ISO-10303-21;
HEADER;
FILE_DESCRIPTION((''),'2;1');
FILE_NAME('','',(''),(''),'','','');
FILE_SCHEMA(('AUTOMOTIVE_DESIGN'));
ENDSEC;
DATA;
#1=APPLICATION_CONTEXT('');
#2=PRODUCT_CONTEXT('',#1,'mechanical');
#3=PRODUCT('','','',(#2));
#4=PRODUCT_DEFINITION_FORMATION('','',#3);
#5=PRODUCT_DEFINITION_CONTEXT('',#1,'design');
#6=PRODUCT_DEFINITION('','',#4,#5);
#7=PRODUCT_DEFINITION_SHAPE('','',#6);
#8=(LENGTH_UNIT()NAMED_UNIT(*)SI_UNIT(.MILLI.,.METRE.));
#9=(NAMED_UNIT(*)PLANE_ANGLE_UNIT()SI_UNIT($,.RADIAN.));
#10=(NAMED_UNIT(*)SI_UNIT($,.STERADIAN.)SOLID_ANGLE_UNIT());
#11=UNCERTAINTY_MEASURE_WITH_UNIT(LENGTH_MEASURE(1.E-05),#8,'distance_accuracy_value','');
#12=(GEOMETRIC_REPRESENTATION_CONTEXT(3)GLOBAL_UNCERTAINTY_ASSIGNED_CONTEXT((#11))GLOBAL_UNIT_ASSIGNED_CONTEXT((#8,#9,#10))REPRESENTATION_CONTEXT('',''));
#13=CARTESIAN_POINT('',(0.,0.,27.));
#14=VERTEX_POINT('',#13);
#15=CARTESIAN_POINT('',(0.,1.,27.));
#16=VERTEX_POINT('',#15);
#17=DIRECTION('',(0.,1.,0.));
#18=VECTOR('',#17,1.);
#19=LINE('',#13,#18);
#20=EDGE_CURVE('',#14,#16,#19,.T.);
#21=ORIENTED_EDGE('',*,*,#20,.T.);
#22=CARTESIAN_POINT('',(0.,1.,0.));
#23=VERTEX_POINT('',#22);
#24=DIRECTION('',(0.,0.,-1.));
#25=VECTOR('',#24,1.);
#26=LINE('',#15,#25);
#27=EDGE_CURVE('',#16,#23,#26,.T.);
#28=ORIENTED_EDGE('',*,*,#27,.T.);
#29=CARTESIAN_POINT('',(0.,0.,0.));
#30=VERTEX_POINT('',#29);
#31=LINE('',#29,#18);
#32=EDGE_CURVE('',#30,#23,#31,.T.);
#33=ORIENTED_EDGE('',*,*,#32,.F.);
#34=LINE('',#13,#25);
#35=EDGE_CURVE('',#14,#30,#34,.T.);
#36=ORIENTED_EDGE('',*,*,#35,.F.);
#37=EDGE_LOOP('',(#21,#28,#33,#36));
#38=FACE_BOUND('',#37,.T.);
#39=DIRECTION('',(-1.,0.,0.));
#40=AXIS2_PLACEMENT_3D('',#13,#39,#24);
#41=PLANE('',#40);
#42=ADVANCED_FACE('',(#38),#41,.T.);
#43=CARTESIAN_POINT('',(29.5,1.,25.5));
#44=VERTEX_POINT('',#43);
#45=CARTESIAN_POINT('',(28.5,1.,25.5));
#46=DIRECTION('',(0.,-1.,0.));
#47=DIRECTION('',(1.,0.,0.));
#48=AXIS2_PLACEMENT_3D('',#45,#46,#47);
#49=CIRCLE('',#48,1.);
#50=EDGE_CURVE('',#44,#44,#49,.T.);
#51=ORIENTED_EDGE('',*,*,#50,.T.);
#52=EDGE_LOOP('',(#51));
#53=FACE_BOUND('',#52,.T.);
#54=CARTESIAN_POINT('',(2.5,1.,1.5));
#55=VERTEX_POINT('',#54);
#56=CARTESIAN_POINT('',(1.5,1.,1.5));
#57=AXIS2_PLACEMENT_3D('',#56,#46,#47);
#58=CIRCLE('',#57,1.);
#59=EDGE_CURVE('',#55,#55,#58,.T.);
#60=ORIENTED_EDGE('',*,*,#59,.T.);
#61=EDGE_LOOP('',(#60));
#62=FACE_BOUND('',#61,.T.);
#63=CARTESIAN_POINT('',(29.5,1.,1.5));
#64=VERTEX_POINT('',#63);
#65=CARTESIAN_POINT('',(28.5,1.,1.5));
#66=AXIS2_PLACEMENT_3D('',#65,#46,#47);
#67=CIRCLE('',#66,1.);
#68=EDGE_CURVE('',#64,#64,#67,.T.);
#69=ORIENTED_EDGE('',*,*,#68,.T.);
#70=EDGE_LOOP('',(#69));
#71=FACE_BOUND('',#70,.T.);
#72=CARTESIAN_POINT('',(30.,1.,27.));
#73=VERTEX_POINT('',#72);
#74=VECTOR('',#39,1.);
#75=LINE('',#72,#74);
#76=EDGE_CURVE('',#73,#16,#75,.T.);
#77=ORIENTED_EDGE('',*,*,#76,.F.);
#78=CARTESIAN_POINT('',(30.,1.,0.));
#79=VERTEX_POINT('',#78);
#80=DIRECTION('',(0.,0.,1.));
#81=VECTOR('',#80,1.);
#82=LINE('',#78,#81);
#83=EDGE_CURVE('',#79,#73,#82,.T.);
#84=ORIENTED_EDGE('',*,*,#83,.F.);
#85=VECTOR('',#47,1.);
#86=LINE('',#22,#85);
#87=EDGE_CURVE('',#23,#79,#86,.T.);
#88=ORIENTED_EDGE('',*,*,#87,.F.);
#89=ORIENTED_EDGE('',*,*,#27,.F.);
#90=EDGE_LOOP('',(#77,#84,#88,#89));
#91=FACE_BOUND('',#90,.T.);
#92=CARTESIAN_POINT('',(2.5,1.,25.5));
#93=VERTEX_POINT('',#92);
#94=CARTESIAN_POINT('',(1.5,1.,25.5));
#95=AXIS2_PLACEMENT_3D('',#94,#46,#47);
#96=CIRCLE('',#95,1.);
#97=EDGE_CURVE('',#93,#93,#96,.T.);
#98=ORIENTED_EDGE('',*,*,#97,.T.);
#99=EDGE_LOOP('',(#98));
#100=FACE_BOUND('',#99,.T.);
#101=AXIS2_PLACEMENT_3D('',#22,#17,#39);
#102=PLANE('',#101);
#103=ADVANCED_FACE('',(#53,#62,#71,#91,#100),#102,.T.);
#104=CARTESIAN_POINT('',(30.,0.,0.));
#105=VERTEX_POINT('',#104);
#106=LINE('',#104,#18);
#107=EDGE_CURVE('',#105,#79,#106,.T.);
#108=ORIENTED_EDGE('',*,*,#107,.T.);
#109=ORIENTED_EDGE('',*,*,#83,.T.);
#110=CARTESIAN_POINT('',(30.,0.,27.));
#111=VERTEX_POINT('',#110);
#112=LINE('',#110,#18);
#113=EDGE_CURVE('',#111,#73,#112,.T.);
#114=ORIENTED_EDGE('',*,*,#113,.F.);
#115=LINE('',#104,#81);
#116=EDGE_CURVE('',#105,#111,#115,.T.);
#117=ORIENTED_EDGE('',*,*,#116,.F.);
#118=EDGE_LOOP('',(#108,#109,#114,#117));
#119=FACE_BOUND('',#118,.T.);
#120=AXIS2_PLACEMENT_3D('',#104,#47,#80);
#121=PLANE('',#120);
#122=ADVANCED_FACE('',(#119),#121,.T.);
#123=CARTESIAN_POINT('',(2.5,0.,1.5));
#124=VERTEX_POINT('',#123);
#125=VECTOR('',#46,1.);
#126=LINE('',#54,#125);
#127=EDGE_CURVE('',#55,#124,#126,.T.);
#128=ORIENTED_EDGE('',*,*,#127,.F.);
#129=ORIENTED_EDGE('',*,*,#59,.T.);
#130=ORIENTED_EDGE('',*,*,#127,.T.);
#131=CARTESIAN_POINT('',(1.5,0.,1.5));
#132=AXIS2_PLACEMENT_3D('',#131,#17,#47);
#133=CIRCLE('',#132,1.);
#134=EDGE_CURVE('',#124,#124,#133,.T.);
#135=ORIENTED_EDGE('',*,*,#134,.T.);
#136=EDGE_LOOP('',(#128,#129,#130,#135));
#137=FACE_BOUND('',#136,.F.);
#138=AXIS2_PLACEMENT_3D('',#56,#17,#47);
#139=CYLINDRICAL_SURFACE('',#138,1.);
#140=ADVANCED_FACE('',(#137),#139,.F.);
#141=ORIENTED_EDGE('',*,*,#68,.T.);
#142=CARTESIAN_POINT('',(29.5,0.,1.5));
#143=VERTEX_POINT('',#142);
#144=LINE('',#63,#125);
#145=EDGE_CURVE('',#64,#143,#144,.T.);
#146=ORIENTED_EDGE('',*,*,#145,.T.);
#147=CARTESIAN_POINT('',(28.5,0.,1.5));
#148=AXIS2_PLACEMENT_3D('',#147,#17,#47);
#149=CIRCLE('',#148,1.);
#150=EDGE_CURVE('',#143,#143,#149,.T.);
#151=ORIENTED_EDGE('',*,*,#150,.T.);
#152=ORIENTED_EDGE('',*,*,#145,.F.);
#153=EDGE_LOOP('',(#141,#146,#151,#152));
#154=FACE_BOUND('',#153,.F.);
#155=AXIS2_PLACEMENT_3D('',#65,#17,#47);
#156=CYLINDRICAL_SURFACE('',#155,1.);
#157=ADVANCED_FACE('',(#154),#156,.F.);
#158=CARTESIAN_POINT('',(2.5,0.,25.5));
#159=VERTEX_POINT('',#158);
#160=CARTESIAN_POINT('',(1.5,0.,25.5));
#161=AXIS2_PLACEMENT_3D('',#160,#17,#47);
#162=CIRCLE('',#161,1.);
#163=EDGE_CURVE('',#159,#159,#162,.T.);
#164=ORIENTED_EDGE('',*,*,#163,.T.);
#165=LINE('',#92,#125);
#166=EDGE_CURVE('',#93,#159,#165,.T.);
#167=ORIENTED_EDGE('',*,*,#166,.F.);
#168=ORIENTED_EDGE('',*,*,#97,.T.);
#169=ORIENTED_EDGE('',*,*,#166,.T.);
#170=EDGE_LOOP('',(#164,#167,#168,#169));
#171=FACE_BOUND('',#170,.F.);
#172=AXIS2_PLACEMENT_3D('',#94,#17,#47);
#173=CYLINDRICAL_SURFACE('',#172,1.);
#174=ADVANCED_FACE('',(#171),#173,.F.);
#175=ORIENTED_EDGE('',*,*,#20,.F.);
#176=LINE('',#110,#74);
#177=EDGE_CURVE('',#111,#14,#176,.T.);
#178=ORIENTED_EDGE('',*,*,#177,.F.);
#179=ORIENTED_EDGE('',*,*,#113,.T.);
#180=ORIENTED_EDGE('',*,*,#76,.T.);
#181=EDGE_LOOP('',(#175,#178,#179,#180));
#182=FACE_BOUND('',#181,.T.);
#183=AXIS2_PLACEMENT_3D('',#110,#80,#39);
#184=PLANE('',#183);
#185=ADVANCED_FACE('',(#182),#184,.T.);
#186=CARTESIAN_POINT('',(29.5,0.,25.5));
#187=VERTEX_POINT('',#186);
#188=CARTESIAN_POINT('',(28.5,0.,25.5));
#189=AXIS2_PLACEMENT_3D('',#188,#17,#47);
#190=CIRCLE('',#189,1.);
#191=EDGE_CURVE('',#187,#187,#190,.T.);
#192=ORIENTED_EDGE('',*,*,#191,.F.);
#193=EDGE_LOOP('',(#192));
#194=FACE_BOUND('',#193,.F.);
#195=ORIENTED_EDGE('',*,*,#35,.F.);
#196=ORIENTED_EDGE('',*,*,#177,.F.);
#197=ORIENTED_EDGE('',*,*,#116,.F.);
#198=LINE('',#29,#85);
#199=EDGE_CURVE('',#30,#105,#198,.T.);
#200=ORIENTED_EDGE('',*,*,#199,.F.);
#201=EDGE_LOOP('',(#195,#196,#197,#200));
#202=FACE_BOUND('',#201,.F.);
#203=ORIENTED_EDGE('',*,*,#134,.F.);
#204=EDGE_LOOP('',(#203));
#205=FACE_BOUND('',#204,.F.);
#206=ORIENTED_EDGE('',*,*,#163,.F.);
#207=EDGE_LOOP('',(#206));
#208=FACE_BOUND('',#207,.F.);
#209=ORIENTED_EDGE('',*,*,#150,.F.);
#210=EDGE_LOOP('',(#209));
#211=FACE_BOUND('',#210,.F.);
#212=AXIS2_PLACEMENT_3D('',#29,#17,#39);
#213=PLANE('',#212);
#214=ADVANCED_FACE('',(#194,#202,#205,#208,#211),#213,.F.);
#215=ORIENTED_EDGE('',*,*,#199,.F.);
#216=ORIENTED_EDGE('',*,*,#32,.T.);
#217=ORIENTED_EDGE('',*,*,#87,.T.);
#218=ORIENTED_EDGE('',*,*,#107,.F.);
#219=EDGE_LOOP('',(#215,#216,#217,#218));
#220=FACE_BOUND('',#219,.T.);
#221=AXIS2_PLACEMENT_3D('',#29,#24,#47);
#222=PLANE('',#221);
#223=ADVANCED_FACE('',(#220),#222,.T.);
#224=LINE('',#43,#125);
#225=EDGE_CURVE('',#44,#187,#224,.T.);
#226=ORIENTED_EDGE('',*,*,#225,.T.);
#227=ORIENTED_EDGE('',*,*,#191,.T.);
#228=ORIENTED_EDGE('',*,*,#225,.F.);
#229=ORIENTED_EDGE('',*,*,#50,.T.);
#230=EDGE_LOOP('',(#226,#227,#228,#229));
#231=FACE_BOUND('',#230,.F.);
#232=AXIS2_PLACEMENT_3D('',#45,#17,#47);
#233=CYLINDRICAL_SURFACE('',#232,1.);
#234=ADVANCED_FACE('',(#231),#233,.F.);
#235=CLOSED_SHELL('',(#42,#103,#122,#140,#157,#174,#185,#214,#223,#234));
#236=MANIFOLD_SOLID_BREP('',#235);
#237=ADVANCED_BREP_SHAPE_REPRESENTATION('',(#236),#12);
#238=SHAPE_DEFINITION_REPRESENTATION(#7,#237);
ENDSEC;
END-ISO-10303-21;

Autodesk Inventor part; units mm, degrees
ref_plane "YZ Plane" through (0, 0, 0) normal (1, 0, 0) x (0, 1, 0)
ref_plane "XZ Plane" through (0, 0, 0) normal (0, 1, 0) x (-1, 0, 0)
ref_plane "XY Plane" through (0, 0, 0) normal (0, 0, 1) x (1, 0, 0)
sketch "Sketch1" plane through (0, 0, 0) normal (0, 1, 0) x (-1, 0, 0)
  line L0 (0, 0) -> (-30, 0)
  line L1 (-30, 0) -> (-30, 27)
  line L2 (-30, 27) -> (0, 27)
  line L3 (0, 27) -> (0, 0)
  dimension "d0" = 30
  dimension "d1" = 27
extrude "Extrusion1" add sketch "Sketch1" along normal blind 1
sketch "Sketch2" plane through (0, 1, 0) normal (0, 1, 0) x (1, 0, 0)
  line L0 (30, 0) -> (0, 0) projected
  line L1 (0, 0) -> (0, -27) projected
  line L2 (0, -27) -> (30, -27) projected
  line L3 (30, -27) -> (30, 0) projected
  line L4 (1.5, -25.5) -> (1.5, -1.5)
  line L5 (1.5, -1.5) -> (28.5, -1.5)
  line L6 (28.5, -1.5) -> (28.5, -25.5)
  line L7 (28.5, -25.5) -> (1.5, -25.5)
  circle A0 centre (1.5, -25.5) radius 1
  circle A1 centre (28.5, -25.5) radius 1
  circle A2 centre (1.5, -1.5) radius 1
  circle A3 centre (28.5, -1.5) radius 1
  dimension "d4" = 1.5
  dimension "d5" = 2
  dimension "d6" = 2
  dimension "d7" = 2
  dimension "d8" = 2
extrude "Extrusion2" cut sketch "Sketch2" against normal through all contours L7 A0 L4 | L4 A0 L7 | A2 L5 L4 | L4 L5 A2 | A1 L6 L7 | L7 L6 A1 | A3 L6 L5 | L5 L6 A3
properties part number "00_motordriver_pcb"
